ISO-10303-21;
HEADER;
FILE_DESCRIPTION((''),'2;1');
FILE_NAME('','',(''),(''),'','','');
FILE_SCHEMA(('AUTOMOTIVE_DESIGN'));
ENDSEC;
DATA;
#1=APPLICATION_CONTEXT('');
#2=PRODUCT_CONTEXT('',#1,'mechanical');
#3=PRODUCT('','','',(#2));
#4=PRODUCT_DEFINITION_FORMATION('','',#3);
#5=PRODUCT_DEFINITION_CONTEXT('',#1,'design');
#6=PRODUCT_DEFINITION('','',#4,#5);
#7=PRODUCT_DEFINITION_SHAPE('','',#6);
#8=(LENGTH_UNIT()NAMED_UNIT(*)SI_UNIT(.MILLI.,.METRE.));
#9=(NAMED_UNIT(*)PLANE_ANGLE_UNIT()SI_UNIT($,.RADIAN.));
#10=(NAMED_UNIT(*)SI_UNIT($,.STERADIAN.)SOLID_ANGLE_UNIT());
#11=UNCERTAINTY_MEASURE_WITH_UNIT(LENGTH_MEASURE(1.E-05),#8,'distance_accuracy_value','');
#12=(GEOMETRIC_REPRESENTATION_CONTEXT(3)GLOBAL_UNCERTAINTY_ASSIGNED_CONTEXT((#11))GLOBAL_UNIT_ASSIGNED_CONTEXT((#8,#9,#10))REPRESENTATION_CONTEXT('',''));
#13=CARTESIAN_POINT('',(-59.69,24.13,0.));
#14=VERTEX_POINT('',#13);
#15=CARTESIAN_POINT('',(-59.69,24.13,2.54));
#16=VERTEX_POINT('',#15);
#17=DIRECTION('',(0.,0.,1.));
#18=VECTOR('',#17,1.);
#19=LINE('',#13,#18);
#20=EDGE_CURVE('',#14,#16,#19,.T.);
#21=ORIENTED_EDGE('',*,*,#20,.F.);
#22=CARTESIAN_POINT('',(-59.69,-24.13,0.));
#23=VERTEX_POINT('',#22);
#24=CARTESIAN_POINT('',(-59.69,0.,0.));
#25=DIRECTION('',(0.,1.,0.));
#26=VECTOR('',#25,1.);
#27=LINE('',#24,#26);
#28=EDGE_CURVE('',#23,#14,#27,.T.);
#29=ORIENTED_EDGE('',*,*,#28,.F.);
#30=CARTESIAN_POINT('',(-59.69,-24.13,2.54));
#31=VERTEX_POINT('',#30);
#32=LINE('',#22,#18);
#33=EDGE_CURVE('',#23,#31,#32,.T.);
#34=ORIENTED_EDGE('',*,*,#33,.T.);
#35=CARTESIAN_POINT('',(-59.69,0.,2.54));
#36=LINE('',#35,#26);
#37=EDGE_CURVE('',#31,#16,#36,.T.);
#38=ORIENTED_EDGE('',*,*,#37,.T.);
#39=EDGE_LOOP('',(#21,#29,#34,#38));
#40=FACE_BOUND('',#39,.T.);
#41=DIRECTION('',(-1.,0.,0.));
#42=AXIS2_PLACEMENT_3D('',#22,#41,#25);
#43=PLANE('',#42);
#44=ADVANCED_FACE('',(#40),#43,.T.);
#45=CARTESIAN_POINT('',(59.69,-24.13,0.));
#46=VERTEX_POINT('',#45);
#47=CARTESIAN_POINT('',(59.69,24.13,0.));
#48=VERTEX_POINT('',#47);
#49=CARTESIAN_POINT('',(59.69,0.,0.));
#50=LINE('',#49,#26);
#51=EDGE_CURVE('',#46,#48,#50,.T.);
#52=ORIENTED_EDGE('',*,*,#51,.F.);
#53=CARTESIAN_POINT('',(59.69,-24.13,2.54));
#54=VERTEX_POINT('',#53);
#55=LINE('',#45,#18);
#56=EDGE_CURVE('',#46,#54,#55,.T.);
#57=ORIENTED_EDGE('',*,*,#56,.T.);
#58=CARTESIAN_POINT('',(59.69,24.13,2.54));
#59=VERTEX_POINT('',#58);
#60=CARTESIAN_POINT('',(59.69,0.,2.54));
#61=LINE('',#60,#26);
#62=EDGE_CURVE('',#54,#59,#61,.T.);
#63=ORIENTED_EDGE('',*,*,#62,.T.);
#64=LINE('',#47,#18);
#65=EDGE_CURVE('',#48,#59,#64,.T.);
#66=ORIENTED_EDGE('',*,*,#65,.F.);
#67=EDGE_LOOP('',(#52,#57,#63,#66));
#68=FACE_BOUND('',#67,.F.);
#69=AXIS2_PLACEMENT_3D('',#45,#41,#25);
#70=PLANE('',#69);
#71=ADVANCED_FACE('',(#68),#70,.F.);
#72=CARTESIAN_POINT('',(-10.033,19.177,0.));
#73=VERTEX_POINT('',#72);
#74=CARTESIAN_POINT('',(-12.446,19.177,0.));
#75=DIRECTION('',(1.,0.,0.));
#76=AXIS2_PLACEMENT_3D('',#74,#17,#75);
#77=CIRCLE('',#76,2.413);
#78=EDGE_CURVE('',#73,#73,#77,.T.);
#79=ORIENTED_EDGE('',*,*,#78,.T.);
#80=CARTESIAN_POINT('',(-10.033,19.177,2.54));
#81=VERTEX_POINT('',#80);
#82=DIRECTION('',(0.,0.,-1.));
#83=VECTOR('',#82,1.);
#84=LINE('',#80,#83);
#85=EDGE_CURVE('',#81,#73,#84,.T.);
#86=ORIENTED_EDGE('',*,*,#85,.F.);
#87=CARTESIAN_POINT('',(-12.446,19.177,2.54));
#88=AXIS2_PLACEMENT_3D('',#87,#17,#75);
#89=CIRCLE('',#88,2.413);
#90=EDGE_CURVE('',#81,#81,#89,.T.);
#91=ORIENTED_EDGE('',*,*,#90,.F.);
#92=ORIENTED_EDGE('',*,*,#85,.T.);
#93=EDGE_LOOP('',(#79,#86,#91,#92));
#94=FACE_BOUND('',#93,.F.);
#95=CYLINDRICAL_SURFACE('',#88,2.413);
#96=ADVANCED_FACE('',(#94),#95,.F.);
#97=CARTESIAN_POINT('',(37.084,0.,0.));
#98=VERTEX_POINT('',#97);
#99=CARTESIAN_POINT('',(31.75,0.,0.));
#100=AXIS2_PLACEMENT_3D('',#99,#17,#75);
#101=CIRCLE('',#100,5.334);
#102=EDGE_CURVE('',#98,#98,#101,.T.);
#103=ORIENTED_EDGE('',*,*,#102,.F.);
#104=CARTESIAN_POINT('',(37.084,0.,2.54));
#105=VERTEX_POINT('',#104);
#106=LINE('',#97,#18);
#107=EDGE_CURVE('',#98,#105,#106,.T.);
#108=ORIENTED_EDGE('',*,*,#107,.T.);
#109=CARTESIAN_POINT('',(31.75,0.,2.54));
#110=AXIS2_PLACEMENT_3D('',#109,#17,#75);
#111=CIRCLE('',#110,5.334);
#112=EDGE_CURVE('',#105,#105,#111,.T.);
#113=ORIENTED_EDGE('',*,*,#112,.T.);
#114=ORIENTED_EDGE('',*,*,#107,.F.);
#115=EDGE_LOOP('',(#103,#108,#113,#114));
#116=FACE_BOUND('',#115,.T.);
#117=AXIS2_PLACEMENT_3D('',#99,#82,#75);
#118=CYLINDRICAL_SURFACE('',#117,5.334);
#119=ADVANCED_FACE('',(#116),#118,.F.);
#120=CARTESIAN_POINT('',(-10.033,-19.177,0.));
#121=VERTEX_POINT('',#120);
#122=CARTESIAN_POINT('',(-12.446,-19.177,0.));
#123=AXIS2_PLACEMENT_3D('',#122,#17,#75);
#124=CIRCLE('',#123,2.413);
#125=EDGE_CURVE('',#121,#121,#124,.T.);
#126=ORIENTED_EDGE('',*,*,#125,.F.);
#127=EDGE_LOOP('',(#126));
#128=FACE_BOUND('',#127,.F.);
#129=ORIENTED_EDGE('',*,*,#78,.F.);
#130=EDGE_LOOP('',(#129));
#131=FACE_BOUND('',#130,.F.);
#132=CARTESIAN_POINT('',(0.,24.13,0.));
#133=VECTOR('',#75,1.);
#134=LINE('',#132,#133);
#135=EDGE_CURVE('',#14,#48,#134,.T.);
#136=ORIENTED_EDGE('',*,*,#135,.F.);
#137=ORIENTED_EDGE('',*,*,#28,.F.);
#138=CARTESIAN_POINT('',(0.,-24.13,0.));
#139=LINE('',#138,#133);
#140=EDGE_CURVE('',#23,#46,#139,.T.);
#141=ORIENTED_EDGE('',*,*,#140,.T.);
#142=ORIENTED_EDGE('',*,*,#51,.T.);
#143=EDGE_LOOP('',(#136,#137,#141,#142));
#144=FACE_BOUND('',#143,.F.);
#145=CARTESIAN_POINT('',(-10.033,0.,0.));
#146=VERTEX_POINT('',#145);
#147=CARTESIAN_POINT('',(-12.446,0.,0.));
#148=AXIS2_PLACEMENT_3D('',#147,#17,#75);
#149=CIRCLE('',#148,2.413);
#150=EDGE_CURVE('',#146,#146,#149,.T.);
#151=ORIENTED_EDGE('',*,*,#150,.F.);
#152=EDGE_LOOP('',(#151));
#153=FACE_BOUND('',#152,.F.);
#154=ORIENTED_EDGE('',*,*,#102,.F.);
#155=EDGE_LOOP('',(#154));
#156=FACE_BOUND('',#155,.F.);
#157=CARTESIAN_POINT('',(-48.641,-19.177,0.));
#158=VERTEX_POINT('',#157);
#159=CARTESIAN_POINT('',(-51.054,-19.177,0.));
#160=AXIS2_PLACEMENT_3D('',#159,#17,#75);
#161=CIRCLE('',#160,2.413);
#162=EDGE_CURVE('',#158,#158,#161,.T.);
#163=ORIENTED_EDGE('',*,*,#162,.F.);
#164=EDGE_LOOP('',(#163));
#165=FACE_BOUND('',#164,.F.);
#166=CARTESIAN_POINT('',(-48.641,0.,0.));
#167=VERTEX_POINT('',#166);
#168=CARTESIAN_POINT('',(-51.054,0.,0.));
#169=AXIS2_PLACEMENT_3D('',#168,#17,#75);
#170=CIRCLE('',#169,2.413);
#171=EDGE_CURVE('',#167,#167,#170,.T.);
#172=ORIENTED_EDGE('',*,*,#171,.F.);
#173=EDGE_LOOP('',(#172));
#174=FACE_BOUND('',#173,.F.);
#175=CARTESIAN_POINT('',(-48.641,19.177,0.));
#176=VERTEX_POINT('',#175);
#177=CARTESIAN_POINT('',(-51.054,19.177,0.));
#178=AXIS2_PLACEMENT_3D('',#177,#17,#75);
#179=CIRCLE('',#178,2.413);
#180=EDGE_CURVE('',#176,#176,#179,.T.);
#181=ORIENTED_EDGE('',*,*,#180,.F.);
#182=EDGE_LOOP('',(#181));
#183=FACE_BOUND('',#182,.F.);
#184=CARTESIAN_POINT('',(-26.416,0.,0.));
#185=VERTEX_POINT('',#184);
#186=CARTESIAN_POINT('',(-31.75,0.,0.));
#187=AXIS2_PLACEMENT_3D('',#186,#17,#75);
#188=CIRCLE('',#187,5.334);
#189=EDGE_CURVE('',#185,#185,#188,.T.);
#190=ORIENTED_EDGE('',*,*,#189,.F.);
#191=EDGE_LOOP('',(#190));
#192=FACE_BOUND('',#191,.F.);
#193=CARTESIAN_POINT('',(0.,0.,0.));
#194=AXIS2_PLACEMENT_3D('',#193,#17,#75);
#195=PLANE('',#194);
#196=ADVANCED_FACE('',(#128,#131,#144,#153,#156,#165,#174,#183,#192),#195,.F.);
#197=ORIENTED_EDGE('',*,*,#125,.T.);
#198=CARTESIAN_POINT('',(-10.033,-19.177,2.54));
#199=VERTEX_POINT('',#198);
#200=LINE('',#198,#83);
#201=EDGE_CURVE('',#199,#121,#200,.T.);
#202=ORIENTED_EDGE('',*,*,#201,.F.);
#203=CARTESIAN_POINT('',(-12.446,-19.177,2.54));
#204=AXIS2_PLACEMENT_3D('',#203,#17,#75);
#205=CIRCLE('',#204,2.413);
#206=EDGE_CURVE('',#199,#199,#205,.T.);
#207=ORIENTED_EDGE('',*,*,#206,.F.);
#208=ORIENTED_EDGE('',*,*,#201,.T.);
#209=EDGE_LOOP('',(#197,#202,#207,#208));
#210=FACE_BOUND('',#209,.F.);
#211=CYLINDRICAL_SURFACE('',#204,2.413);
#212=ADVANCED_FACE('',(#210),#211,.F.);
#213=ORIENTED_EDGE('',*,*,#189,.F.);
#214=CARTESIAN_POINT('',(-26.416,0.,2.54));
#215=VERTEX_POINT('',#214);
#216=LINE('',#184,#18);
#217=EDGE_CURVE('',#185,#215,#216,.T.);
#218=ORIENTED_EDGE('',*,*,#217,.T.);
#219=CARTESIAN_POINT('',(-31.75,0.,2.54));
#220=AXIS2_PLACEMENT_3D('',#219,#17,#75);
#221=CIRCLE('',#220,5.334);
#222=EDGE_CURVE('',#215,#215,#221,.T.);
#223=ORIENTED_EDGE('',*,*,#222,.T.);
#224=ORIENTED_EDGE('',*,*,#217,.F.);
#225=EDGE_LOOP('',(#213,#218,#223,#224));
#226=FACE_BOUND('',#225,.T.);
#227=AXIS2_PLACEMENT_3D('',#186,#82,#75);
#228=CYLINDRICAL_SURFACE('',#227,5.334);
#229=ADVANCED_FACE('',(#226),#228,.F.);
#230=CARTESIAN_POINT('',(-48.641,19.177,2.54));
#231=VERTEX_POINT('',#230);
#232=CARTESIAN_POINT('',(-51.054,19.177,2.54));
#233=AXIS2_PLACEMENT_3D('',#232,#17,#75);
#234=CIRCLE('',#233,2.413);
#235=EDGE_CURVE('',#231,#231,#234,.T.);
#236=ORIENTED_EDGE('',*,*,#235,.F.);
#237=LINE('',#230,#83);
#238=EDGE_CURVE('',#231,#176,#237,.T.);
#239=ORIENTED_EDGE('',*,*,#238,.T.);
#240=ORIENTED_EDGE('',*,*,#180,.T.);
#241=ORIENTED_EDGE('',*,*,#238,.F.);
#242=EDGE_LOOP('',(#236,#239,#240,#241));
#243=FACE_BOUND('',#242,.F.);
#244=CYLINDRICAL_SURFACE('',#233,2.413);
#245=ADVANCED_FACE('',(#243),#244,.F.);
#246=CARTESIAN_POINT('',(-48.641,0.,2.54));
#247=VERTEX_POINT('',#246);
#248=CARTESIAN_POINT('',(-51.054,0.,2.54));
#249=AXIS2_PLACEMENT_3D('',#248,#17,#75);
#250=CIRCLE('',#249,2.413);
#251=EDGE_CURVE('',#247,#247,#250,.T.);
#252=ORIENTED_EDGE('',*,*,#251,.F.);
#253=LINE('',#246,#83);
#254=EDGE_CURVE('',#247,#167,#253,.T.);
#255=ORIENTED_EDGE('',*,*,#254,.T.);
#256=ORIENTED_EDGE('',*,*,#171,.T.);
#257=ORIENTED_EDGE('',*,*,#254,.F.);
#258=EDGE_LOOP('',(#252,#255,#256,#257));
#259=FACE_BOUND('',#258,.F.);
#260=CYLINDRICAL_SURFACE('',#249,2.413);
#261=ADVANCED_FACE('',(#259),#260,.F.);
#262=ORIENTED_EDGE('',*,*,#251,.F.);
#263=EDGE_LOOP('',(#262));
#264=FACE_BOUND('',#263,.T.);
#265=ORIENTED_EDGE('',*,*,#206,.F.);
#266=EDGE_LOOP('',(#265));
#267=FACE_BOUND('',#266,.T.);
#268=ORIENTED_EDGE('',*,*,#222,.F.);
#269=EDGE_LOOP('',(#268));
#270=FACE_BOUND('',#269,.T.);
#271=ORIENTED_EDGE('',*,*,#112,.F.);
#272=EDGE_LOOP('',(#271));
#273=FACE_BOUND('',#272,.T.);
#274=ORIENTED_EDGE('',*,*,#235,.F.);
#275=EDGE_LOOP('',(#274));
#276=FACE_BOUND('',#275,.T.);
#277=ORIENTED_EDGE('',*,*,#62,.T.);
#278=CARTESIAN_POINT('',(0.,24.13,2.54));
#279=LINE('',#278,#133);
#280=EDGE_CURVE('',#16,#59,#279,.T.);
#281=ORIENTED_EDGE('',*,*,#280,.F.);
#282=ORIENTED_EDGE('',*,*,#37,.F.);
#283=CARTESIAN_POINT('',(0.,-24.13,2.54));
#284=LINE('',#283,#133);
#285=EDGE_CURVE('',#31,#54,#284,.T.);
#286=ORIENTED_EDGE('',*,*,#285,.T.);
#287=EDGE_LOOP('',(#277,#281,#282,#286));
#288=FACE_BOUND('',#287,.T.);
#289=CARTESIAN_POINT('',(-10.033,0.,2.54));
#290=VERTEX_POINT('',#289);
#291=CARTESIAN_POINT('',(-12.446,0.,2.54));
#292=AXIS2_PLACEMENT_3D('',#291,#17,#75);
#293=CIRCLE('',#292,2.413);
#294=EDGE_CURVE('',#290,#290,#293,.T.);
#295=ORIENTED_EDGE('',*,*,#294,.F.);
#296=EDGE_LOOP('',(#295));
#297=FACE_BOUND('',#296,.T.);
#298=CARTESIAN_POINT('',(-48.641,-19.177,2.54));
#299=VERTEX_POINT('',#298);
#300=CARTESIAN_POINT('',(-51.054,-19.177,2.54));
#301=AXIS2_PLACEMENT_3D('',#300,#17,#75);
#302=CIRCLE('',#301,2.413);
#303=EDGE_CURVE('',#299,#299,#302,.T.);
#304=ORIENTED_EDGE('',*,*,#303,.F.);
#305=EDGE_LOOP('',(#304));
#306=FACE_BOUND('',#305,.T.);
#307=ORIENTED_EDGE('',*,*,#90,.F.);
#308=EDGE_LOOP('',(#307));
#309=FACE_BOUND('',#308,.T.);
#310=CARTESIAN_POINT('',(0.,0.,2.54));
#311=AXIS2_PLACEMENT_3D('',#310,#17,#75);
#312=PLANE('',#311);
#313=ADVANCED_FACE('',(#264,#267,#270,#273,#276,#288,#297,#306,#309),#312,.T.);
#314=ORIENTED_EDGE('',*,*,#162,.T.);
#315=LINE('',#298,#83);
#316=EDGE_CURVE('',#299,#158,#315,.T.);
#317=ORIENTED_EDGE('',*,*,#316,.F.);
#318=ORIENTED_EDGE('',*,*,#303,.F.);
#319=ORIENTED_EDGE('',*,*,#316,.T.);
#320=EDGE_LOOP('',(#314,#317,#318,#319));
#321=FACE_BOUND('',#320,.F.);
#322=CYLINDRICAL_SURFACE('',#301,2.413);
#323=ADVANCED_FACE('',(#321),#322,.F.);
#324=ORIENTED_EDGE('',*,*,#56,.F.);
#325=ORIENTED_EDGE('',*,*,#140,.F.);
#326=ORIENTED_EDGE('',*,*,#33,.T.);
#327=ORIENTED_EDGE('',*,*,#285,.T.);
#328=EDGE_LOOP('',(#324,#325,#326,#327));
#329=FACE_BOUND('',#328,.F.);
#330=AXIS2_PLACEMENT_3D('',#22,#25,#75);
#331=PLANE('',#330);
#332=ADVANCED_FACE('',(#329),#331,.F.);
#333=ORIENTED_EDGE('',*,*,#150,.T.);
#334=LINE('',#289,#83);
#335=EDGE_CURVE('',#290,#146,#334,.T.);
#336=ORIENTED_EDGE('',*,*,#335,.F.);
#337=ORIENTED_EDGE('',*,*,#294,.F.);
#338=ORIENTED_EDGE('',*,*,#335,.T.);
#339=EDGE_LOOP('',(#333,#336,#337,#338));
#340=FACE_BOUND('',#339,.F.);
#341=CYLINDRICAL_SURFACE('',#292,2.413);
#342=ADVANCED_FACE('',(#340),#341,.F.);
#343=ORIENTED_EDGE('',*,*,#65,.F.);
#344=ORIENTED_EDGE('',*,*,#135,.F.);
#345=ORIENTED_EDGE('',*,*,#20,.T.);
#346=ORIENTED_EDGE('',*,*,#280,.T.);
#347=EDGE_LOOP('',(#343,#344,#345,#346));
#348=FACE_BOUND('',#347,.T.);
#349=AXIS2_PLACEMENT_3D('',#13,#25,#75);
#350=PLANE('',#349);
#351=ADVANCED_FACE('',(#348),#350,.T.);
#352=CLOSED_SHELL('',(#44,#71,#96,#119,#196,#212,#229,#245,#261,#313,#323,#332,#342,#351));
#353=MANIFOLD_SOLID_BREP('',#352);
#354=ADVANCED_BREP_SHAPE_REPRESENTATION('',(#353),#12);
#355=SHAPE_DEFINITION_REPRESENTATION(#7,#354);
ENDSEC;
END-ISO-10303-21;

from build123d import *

# Parameters (mm, degrees)
F0_W     = 119.38
F0_H     = 48.26
F0_R     = 5.334
F1_DEPTH = 2.54
F2_DEPTH = 2.54
F3_R     = 2.413
F4_DEPTH = 2.541
F5_R     = 2.413
F6_DEPTH = 2.541


with BuildPart() as f1:
    # F0 (on Top) → F1 (new body)
    with BuildSketch(Plane.XY):
        Rectangle(F0_W, F0_H)
        with Locations((-31.75, 0)):
            Circle(F0_R, mode=Mode.SUBTRACT)
        with Locations((31.75, 0)):
            Circle(F0_R, mode=Mode.SUBTRACT)
    extrude(amount=F1_DEPTH)

    # F0 (on Top) → F2 (join)
    with BuildSketch(Plane.XY):
        Rectangle(F0_W, F0_H)
        with Locations((-31.75, 0)):
            Circle(F0_R, mode=Mode.SUBTRACT)
        with Locations((31.75, 0)):
            Circle(F0_R, mode=Mode.SUBTRACT)
    extrude(amount=F2_DEPTH)

    # F3 (on face) → F4 (cut, through all)
    with BuildSketch(Plane.XY.offset(2.54)):
        with Locations((-51.054, 0)):
            Circle(F3_R)
        with Locations((-51.054, 19.177)):
            Circle(F3_R)
        with Locations((-51.054, -19.177)):
            Circle(F3_R)
    extrude(amount=-F4_DEPTH, mode=Mode.SUBTRACT)

    # F5 (on face) → F6 (cut, through all)
    with BuildSketch(Plane.XY.offset(2.54)):
        with Locations((-12.446, 0)):
            Circle(F5_R)
        with Locations((-12.446, 19.177)):
            Circle(F5_R)
        with Locations((-12.446, -19.177)):
            Circle(F5_R)
    extrude(amount=-F6_DEPTH, mode=Mode.SUBTRACT)


solid = f1.part
